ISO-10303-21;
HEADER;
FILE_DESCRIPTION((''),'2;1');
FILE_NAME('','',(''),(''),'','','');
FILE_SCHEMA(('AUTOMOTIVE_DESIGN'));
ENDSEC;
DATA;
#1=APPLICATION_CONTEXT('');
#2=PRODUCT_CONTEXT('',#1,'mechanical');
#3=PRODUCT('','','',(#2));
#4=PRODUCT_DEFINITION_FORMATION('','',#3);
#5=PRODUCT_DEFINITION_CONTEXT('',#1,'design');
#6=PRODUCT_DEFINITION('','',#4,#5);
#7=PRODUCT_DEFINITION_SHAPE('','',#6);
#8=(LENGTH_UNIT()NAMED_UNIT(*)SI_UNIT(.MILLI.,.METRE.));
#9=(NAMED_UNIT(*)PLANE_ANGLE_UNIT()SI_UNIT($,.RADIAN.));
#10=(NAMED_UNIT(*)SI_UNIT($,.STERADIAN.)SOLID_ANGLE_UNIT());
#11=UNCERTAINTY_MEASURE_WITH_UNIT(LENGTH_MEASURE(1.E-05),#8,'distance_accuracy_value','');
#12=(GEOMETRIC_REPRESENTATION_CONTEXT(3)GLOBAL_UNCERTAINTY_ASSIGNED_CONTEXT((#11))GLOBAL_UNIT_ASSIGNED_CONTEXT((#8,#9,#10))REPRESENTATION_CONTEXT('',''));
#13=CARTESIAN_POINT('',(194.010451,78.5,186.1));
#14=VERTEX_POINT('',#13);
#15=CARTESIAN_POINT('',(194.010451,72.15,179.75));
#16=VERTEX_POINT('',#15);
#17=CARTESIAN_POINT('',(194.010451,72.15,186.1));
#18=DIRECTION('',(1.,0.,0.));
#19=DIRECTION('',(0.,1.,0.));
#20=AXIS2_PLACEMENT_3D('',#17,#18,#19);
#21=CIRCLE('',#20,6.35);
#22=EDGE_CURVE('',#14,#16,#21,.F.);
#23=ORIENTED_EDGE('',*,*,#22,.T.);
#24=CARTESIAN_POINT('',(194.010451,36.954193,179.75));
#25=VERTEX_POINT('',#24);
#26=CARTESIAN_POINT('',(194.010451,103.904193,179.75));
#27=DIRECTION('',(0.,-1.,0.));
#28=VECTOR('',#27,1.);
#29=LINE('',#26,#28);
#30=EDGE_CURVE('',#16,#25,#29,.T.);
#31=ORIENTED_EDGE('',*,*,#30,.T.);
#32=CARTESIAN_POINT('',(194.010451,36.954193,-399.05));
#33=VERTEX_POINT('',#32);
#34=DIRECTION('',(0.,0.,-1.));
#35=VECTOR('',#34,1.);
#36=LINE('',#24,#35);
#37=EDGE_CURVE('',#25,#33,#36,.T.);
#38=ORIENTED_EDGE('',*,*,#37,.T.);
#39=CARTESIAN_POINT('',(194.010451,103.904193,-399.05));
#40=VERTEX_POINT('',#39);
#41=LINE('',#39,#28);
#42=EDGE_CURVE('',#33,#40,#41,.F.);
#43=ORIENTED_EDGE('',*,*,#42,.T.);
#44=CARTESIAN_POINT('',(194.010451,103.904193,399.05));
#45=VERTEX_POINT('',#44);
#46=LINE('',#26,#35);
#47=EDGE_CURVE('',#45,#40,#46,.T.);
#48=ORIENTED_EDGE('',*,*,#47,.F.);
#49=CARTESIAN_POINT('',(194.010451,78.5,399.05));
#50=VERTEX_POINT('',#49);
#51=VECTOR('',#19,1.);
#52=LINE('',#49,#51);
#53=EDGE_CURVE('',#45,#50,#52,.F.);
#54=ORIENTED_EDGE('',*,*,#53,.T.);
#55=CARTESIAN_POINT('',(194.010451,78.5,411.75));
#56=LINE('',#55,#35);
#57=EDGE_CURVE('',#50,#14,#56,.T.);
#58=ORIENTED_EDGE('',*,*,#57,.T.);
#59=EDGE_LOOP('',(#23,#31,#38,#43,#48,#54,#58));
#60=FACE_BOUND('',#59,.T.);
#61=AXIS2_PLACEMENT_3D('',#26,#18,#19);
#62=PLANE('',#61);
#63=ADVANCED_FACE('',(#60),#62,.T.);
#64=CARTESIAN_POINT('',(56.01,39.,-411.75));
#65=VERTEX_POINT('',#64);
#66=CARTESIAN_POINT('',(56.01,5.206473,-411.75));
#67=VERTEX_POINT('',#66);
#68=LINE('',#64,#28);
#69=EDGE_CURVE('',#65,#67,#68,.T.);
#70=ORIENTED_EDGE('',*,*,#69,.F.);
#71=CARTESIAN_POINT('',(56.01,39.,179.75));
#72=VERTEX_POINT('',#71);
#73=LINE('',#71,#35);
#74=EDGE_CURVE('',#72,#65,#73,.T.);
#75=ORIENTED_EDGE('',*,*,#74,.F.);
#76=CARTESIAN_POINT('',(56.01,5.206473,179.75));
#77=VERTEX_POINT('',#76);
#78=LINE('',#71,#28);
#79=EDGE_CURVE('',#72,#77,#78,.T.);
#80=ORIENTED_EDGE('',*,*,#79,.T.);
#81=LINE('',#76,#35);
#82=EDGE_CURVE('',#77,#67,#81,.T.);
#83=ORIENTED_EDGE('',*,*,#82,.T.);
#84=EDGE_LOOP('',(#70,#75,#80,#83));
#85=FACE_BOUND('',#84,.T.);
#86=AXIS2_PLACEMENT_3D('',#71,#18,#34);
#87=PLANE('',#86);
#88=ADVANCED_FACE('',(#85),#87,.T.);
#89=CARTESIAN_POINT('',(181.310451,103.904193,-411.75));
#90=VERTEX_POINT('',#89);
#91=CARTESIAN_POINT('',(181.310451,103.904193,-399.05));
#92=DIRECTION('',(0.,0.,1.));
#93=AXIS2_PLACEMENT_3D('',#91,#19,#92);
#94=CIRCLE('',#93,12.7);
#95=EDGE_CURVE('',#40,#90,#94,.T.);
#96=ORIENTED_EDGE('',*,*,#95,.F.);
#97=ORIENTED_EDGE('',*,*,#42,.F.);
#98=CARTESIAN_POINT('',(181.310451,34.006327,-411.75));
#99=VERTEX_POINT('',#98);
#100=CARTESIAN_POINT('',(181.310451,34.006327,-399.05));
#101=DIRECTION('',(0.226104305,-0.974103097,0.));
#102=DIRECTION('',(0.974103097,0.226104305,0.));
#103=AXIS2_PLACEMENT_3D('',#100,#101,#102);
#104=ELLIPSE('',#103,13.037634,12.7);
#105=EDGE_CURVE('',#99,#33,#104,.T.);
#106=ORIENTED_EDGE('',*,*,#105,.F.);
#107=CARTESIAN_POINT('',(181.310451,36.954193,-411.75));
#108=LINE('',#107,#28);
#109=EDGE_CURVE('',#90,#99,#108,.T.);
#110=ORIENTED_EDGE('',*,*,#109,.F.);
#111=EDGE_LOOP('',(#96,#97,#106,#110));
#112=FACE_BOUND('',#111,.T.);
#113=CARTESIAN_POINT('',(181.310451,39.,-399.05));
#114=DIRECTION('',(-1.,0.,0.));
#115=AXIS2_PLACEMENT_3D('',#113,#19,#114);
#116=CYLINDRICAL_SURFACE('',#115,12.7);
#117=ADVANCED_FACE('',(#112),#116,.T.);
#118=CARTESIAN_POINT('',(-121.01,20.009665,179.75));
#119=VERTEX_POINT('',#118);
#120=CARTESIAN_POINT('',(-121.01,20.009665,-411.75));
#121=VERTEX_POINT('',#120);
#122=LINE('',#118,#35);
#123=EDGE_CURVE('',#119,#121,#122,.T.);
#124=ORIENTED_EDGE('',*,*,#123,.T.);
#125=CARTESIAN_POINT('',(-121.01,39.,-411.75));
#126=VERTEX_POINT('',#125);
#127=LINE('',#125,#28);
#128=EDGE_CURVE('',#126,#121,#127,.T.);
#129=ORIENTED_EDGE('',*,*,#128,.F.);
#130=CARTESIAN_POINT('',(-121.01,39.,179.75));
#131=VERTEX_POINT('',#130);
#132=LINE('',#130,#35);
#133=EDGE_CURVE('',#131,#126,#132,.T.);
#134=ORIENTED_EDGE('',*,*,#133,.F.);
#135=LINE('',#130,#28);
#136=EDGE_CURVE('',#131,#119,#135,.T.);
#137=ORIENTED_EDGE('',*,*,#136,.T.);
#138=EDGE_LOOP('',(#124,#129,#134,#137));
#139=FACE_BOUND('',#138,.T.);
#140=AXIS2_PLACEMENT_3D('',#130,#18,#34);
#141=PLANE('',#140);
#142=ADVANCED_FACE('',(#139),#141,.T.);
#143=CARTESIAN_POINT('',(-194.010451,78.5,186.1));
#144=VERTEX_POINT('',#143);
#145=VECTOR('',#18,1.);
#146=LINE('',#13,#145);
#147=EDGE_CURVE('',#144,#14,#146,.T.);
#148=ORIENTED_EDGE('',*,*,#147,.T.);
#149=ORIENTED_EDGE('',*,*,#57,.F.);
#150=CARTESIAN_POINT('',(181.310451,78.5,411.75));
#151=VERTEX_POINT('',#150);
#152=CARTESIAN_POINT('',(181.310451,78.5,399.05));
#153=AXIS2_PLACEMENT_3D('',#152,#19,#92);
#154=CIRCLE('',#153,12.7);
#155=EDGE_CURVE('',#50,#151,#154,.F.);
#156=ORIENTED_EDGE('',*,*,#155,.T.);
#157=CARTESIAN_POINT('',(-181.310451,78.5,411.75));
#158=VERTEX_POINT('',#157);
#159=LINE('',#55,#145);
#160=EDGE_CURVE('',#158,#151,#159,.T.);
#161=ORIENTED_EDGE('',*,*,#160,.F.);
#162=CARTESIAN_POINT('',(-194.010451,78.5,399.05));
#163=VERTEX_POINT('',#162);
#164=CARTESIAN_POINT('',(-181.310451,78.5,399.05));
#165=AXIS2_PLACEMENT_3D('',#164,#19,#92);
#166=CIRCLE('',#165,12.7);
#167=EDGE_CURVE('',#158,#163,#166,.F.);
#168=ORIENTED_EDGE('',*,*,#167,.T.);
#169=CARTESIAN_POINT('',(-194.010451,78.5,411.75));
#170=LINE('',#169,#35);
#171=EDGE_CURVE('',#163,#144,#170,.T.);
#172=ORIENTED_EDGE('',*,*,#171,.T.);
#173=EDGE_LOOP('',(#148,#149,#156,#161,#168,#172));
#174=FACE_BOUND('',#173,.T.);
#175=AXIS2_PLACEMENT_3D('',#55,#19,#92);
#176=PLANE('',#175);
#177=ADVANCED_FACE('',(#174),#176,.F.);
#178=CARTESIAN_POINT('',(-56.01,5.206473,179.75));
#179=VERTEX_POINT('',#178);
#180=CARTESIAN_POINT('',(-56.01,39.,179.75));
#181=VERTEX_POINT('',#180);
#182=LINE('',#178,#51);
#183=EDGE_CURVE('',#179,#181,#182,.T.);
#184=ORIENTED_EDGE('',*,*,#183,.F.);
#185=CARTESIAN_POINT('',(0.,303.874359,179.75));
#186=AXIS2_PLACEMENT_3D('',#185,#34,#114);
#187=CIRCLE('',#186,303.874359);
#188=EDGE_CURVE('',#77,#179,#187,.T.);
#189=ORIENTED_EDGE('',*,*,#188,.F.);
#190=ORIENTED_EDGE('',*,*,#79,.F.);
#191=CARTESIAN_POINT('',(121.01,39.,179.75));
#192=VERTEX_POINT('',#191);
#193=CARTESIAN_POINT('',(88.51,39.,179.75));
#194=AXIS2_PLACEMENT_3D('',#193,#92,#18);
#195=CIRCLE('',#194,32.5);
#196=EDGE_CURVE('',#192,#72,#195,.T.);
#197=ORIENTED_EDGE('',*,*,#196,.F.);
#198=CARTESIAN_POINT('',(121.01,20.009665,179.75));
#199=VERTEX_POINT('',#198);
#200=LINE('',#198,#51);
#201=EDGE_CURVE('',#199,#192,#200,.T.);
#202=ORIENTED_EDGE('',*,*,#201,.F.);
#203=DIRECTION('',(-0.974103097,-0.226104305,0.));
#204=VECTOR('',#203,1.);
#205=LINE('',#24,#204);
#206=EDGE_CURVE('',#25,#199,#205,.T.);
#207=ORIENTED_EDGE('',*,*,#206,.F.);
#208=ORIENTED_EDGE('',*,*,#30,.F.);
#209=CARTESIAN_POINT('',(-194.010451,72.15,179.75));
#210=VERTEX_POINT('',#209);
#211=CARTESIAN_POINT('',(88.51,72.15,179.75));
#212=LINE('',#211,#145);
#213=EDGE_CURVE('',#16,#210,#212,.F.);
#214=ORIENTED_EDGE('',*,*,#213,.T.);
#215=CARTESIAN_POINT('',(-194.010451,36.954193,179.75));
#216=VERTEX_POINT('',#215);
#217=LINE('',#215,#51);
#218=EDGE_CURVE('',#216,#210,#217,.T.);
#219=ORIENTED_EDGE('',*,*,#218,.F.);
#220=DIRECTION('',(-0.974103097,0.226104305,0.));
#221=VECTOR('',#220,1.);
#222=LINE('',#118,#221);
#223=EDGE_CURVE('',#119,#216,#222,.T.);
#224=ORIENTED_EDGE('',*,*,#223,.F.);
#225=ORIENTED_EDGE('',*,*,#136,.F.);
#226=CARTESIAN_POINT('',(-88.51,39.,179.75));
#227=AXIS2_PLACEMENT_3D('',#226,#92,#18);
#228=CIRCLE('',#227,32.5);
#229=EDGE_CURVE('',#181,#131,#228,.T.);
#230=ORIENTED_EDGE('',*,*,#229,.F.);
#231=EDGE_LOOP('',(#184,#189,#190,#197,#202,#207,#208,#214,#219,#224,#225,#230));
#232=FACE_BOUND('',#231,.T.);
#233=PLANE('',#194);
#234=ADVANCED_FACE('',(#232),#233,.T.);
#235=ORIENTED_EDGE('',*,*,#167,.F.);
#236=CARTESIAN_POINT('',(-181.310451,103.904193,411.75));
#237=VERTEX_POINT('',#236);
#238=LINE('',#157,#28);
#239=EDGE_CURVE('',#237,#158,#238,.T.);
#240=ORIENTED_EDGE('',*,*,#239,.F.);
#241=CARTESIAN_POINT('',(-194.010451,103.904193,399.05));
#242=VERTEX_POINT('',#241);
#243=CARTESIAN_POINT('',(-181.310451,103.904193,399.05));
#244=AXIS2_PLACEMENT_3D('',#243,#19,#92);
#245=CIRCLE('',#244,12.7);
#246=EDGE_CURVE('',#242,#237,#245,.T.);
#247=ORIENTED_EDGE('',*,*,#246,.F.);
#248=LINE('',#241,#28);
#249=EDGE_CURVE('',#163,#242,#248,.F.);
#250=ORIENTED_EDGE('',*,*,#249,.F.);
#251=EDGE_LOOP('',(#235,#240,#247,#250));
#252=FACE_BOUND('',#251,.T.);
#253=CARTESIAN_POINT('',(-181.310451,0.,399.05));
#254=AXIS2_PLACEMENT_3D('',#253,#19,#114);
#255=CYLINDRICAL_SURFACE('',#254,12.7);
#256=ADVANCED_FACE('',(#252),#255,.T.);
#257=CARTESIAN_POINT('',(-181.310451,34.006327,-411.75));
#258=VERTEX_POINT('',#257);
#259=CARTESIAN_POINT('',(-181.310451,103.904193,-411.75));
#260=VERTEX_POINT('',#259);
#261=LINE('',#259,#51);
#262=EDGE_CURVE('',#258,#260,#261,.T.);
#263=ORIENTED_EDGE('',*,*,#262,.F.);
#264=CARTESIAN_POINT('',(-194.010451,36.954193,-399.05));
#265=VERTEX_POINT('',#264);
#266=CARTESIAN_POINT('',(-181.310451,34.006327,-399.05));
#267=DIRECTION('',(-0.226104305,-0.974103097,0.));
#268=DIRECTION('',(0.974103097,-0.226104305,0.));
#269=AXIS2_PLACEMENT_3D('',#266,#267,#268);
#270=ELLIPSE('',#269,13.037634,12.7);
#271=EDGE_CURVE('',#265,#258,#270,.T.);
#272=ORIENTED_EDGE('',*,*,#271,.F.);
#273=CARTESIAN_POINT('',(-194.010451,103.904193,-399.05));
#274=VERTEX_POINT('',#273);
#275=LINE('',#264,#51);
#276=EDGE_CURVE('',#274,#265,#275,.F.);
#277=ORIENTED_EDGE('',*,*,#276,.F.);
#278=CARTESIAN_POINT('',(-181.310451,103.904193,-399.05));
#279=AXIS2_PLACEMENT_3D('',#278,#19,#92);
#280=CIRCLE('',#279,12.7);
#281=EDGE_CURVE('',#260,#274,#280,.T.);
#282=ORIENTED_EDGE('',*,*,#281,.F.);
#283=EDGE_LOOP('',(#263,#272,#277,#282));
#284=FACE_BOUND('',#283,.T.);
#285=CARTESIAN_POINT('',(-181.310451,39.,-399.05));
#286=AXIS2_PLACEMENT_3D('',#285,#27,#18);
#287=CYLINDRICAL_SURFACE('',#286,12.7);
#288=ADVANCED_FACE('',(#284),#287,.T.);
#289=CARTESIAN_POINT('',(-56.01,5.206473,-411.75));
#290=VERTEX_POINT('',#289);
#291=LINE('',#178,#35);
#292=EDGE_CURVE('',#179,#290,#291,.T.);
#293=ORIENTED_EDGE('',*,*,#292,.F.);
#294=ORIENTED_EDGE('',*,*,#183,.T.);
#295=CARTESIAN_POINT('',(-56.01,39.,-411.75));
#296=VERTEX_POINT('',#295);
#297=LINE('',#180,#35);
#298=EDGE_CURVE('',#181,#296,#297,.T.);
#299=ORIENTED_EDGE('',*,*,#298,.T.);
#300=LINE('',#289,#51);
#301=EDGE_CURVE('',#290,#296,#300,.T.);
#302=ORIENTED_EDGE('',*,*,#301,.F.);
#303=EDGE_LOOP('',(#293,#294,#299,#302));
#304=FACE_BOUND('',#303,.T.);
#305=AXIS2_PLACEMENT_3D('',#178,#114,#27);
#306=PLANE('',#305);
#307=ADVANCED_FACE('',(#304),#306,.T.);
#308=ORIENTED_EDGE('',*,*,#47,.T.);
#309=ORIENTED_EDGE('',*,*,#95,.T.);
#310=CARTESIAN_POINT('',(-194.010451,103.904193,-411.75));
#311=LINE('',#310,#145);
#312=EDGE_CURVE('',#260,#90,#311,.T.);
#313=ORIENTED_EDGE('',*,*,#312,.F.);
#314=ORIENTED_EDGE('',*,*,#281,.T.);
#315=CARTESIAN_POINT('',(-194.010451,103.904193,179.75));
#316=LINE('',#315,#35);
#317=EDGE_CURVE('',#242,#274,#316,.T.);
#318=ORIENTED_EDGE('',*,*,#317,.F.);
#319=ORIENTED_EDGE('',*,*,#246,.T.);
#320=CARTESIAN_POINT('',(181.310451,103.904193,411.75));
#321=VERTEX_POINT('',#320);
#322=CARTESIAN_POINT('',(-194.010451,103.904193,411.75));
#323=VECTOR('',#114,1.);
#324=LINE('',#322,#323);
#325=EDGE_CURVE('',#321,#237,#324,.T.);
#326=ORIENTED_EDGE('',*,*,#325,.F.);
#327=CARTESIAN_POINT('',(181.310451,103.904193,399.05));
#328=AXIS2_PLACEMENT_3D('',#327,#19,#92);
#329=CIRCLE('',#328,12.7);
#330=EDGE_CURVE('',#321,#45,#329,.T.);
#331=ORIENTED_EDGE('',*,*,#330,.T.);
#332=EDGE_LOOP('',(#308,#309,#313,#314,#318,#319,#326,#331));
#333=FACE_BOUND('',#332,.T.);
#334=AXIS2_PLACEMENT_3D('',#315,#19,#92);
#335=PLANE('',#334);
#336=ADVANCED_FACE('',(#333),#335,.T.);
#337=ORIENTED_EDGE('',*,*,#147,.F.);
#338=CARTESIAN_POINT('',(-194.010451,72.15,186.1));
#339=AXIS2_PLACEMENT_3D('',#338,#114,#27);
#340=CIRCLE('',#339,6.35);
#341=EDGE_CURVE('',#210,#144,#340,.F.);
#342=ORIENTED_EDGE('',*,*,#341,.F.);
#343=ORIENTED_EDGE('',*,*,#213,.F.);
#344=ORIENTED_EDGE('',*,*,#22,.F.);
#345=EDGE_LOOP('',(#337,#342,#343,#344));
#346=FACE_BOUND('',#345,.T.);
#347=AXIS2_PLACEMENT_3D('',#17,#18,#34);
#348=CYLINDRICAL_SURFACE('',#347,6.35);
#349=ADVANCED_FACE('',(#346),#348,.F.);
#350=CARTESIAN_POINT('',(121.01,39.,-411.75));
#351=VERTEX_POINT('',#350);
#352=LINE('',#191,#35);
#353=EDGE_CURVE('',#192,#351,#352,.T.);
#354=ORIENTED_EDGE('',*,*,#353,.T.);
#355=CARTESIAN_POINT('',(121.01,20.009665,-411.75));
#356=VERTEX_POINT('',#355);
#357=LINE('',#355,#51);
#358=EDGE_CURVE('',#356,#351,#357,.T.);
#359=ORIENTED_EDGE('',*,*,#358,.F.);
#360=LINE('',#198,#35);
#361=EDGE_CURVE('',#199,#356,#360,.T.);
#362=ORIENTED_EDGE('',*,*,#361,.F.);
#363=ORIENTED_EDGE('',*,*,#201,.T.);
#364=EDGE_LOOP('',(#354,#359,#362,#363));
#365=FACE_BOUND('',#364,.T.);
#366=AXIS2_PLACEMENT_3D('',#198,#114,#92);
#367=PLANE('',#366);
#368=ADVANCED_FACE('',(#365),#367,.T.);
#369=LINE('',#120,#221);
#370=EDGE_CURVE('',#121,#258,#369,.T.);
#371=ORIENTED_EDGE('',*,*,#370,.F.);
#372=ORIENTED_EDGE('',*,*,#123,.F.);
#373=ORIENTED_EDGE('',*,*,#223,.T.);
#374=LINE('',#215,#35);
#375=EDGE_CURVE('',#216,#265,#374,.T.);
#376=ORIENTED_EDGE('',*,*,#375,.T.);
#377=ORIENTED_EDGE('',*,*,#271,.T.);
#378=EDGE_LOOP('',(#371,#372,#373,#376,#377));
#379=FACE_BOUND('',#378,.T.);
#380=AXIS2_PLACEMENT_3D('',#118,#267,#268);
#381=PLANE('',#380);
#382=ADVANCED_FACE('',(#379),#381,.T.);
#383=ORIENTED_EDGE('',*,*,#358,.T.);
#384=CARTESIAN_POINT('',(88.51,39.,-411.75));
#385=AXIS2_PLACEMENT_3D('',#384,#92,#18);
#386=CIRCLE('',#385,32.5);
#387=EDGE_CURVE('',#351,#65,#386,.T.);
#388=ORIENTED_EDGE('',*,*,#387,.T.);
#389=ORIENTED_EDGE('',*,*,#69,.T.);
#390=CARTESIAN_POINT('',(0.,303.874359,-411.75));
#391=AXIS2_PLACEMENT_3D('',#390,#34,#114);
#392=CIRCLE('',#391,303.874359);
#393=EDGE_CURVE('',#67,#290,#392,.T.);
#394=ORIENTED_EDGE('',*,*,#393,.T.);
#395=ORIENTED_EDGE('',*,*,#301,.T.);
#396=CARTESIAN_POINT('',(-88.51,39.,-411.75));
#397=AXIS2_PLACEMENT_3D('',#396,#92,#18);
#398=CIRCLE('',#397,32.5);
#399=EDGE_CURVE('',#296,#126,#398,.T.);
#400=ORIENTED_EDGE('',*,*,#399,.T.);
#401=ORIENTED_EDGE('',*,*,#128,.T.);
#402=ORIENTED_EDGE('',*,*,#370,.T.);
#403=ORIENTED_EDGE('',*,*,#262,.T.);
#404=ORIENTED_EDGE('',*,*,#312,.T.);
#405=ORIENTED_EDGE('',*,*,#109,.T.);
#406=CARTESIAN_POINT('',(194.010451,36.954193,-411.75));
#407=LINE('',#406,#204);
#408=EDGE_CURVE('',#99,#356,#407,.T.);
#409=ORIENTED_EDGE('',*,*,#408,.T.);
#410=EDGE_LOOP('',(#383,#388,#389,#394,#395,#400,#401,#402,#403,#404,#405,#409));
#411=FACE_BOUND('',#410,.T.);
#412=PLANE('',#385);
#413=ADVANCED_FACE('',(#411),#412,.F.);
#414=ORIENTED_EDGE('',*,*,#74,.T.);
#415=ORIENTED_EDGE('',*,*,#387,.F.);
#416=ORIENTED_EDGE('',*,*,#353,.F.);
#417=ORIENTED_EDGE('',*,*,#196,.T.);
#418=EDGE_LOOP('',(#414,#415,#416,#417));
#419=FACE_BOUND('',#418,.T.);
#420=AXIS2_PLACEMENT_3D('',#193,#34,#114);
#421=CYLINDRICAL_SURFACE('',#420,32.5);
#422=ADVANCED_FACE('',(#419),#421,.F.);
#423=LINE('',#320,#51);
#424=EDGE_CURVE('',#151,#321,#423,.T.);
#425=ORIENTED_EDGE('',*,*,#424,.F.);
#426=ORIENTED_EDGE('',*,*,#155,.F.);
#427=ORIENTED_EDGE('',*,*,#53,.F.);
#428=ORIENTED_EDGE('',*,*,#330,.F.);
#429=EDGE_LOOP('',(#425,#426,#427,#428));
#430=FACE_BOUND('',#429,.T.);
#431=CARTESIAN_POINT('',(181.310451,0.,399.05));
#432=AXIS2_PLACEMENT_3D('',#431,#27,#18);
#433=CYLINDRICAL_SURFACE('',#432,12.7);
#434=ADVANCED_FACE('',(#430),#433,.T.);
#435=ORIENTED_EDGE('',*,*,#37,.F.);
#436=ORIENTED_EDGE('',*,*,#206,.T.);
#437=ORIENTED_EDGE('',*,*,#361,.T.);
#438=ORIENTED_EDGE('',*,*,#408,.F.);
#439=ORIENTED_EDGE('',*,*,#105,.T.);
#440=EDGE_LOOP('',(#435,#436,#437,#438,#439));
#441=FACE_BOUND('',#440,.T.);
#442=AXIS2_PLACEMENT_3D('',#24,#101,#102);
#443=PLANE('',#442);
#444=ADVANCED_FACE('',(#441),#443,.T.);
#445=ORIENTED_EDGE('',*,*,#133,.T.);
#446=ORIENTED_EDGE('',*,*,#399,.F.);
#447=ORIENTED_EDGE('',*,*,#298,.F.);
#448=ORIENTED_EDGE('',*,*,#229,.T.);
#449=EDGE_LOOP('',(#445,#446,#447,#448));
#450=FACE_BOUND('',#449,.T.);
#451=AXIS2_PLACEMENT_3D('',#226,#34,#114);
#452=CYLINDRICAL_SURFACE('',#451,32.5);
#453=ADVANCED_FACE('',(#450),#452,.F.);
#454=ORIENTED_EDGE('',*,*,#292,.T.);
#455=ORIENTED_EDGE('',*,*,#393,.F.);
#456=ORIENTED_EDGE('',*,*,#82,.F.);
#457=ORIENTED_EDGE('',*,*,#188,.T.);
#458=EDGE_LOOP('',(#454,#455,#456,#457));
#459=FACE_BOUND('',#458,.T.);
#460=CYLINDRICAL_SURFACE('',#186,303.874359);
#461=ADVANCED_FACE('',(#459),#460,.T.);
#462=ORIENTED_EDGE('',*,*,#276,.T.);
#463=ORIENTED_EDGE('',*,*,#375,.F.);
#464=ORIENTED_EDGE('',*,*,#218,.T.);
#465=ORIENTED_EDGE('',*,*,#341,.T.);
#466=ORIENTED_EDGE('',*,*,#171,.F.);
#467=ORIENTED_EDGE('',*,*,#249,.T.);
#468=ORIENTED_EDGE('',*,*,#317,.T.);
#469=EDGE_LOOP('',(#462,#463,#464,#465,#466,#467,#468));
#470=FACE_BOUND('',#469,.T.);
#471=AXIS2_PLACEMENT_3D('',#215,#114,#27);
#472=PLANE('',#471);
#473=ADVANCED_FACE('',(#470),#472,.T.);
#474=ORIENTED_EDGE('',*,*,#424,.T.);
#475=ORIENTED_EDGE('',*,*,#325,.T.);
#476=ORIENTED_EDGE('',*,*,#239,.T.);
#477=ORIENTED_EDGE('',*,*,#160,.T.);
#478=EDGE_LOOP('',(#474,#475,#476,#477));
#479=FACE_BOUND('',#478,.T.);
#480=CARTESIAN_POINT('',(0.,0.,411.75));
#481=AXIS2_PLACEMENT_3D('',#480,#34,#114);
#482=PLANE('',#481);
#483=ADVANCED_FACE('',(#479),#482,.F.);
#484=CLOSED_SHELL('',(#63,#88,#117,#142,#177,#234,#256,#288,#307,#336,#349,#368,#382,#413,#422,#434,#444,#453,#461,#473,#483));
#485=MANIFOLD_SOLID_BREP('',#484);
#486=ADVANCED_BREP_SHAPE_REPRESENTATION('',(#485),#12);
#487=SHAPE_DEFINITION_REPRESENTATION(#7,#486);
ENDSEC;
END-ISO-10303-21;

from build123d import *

# Parameters (mm, degrees)
BOSS_EXTRUDE1_DEPTH = 591.5
SKETCH2_W           = 388.02090207
SKETCH2_H           = 25.404192512
BOSS_EXTRUDE2_DEPTH = 232
FILLET1_R           = 12.7
FILLET3_R           = 6.35


with BuildPart() as part:
    # Sketch1 → Boss-Extrude1 (new body)
    with BuildSketch(Plane(origin=(0, 0, -411.75), x_dir=(-1, 0, 0), z_dir=(0, 0, -1))):
        with BuildLine():
            Line((121.01, 20.009665474), (194.010451035, 36.954192512))
            Line((194.010451035, 36.954192512), (194.010451035, 103.904192512))
            Line((194.010451035, 103.904192512), (-194.010451035, 103.904192512))
            Line((-194.010451035, 103.904192512), (-194.010451035, 36.954192512))
            Line((-194.010451035, 36.954192512), (-121.01, 20.009665474))
            Line((-121.01, 20.009665474), (-121.01, 39))
            ThreePointArc((-121.01, 39), (-88.51, 71.5), (-56.01, 39))
            Line((-56.01, 39), (-56.01, 5.206473282))
            ThreePointArc((-56.01, 5.206473282), (0, 0), (56.01, 5.206473282))
            Line((56.01, 5.206473282), (56.01, 39))
            ThreePointArc((56.01, 39), (88.51, 71.5), (121.01, 39))
            Line((121.01, 39), (121.01, 20.009665474))
        make_face()
    extrude(amount=-BOSS_EXTRUDE1_DEPTH)

    # Sketch2 → Boss-Extrude2 (add)
    with BuildSketch(Plane.XY.offset(179.75)):
        with Locations((0, 91.202096256)):
            Rectangle(SKETCH2_W, SKETCH2_H)
    extrude(amount=BOSS_EXTRUDE2_DEPTH)

    # Fillet1
    fillet1_edges = [part.edges().sort_by_distance(p)[0] for p in [
        (194.010451035, 70.429192512, -411.75),
        (-194.010451035, 70.429192512, -411.75),
        (194.010451035, 91.202096256, 411.75),
        (-194.010451035, 91.202096256, 411.75),
    ]]
    fillet(fillet1_edges, radius=FILLET1_R)

    # Fillet3
    fillet3_edges = [part.edges().sort_by_distance(p)[0] for p in [
        (0, 78.5, 179.75),
    ]]
    fillet(fillet3_edges, radius=FILLET3_R)


solid = part.part
